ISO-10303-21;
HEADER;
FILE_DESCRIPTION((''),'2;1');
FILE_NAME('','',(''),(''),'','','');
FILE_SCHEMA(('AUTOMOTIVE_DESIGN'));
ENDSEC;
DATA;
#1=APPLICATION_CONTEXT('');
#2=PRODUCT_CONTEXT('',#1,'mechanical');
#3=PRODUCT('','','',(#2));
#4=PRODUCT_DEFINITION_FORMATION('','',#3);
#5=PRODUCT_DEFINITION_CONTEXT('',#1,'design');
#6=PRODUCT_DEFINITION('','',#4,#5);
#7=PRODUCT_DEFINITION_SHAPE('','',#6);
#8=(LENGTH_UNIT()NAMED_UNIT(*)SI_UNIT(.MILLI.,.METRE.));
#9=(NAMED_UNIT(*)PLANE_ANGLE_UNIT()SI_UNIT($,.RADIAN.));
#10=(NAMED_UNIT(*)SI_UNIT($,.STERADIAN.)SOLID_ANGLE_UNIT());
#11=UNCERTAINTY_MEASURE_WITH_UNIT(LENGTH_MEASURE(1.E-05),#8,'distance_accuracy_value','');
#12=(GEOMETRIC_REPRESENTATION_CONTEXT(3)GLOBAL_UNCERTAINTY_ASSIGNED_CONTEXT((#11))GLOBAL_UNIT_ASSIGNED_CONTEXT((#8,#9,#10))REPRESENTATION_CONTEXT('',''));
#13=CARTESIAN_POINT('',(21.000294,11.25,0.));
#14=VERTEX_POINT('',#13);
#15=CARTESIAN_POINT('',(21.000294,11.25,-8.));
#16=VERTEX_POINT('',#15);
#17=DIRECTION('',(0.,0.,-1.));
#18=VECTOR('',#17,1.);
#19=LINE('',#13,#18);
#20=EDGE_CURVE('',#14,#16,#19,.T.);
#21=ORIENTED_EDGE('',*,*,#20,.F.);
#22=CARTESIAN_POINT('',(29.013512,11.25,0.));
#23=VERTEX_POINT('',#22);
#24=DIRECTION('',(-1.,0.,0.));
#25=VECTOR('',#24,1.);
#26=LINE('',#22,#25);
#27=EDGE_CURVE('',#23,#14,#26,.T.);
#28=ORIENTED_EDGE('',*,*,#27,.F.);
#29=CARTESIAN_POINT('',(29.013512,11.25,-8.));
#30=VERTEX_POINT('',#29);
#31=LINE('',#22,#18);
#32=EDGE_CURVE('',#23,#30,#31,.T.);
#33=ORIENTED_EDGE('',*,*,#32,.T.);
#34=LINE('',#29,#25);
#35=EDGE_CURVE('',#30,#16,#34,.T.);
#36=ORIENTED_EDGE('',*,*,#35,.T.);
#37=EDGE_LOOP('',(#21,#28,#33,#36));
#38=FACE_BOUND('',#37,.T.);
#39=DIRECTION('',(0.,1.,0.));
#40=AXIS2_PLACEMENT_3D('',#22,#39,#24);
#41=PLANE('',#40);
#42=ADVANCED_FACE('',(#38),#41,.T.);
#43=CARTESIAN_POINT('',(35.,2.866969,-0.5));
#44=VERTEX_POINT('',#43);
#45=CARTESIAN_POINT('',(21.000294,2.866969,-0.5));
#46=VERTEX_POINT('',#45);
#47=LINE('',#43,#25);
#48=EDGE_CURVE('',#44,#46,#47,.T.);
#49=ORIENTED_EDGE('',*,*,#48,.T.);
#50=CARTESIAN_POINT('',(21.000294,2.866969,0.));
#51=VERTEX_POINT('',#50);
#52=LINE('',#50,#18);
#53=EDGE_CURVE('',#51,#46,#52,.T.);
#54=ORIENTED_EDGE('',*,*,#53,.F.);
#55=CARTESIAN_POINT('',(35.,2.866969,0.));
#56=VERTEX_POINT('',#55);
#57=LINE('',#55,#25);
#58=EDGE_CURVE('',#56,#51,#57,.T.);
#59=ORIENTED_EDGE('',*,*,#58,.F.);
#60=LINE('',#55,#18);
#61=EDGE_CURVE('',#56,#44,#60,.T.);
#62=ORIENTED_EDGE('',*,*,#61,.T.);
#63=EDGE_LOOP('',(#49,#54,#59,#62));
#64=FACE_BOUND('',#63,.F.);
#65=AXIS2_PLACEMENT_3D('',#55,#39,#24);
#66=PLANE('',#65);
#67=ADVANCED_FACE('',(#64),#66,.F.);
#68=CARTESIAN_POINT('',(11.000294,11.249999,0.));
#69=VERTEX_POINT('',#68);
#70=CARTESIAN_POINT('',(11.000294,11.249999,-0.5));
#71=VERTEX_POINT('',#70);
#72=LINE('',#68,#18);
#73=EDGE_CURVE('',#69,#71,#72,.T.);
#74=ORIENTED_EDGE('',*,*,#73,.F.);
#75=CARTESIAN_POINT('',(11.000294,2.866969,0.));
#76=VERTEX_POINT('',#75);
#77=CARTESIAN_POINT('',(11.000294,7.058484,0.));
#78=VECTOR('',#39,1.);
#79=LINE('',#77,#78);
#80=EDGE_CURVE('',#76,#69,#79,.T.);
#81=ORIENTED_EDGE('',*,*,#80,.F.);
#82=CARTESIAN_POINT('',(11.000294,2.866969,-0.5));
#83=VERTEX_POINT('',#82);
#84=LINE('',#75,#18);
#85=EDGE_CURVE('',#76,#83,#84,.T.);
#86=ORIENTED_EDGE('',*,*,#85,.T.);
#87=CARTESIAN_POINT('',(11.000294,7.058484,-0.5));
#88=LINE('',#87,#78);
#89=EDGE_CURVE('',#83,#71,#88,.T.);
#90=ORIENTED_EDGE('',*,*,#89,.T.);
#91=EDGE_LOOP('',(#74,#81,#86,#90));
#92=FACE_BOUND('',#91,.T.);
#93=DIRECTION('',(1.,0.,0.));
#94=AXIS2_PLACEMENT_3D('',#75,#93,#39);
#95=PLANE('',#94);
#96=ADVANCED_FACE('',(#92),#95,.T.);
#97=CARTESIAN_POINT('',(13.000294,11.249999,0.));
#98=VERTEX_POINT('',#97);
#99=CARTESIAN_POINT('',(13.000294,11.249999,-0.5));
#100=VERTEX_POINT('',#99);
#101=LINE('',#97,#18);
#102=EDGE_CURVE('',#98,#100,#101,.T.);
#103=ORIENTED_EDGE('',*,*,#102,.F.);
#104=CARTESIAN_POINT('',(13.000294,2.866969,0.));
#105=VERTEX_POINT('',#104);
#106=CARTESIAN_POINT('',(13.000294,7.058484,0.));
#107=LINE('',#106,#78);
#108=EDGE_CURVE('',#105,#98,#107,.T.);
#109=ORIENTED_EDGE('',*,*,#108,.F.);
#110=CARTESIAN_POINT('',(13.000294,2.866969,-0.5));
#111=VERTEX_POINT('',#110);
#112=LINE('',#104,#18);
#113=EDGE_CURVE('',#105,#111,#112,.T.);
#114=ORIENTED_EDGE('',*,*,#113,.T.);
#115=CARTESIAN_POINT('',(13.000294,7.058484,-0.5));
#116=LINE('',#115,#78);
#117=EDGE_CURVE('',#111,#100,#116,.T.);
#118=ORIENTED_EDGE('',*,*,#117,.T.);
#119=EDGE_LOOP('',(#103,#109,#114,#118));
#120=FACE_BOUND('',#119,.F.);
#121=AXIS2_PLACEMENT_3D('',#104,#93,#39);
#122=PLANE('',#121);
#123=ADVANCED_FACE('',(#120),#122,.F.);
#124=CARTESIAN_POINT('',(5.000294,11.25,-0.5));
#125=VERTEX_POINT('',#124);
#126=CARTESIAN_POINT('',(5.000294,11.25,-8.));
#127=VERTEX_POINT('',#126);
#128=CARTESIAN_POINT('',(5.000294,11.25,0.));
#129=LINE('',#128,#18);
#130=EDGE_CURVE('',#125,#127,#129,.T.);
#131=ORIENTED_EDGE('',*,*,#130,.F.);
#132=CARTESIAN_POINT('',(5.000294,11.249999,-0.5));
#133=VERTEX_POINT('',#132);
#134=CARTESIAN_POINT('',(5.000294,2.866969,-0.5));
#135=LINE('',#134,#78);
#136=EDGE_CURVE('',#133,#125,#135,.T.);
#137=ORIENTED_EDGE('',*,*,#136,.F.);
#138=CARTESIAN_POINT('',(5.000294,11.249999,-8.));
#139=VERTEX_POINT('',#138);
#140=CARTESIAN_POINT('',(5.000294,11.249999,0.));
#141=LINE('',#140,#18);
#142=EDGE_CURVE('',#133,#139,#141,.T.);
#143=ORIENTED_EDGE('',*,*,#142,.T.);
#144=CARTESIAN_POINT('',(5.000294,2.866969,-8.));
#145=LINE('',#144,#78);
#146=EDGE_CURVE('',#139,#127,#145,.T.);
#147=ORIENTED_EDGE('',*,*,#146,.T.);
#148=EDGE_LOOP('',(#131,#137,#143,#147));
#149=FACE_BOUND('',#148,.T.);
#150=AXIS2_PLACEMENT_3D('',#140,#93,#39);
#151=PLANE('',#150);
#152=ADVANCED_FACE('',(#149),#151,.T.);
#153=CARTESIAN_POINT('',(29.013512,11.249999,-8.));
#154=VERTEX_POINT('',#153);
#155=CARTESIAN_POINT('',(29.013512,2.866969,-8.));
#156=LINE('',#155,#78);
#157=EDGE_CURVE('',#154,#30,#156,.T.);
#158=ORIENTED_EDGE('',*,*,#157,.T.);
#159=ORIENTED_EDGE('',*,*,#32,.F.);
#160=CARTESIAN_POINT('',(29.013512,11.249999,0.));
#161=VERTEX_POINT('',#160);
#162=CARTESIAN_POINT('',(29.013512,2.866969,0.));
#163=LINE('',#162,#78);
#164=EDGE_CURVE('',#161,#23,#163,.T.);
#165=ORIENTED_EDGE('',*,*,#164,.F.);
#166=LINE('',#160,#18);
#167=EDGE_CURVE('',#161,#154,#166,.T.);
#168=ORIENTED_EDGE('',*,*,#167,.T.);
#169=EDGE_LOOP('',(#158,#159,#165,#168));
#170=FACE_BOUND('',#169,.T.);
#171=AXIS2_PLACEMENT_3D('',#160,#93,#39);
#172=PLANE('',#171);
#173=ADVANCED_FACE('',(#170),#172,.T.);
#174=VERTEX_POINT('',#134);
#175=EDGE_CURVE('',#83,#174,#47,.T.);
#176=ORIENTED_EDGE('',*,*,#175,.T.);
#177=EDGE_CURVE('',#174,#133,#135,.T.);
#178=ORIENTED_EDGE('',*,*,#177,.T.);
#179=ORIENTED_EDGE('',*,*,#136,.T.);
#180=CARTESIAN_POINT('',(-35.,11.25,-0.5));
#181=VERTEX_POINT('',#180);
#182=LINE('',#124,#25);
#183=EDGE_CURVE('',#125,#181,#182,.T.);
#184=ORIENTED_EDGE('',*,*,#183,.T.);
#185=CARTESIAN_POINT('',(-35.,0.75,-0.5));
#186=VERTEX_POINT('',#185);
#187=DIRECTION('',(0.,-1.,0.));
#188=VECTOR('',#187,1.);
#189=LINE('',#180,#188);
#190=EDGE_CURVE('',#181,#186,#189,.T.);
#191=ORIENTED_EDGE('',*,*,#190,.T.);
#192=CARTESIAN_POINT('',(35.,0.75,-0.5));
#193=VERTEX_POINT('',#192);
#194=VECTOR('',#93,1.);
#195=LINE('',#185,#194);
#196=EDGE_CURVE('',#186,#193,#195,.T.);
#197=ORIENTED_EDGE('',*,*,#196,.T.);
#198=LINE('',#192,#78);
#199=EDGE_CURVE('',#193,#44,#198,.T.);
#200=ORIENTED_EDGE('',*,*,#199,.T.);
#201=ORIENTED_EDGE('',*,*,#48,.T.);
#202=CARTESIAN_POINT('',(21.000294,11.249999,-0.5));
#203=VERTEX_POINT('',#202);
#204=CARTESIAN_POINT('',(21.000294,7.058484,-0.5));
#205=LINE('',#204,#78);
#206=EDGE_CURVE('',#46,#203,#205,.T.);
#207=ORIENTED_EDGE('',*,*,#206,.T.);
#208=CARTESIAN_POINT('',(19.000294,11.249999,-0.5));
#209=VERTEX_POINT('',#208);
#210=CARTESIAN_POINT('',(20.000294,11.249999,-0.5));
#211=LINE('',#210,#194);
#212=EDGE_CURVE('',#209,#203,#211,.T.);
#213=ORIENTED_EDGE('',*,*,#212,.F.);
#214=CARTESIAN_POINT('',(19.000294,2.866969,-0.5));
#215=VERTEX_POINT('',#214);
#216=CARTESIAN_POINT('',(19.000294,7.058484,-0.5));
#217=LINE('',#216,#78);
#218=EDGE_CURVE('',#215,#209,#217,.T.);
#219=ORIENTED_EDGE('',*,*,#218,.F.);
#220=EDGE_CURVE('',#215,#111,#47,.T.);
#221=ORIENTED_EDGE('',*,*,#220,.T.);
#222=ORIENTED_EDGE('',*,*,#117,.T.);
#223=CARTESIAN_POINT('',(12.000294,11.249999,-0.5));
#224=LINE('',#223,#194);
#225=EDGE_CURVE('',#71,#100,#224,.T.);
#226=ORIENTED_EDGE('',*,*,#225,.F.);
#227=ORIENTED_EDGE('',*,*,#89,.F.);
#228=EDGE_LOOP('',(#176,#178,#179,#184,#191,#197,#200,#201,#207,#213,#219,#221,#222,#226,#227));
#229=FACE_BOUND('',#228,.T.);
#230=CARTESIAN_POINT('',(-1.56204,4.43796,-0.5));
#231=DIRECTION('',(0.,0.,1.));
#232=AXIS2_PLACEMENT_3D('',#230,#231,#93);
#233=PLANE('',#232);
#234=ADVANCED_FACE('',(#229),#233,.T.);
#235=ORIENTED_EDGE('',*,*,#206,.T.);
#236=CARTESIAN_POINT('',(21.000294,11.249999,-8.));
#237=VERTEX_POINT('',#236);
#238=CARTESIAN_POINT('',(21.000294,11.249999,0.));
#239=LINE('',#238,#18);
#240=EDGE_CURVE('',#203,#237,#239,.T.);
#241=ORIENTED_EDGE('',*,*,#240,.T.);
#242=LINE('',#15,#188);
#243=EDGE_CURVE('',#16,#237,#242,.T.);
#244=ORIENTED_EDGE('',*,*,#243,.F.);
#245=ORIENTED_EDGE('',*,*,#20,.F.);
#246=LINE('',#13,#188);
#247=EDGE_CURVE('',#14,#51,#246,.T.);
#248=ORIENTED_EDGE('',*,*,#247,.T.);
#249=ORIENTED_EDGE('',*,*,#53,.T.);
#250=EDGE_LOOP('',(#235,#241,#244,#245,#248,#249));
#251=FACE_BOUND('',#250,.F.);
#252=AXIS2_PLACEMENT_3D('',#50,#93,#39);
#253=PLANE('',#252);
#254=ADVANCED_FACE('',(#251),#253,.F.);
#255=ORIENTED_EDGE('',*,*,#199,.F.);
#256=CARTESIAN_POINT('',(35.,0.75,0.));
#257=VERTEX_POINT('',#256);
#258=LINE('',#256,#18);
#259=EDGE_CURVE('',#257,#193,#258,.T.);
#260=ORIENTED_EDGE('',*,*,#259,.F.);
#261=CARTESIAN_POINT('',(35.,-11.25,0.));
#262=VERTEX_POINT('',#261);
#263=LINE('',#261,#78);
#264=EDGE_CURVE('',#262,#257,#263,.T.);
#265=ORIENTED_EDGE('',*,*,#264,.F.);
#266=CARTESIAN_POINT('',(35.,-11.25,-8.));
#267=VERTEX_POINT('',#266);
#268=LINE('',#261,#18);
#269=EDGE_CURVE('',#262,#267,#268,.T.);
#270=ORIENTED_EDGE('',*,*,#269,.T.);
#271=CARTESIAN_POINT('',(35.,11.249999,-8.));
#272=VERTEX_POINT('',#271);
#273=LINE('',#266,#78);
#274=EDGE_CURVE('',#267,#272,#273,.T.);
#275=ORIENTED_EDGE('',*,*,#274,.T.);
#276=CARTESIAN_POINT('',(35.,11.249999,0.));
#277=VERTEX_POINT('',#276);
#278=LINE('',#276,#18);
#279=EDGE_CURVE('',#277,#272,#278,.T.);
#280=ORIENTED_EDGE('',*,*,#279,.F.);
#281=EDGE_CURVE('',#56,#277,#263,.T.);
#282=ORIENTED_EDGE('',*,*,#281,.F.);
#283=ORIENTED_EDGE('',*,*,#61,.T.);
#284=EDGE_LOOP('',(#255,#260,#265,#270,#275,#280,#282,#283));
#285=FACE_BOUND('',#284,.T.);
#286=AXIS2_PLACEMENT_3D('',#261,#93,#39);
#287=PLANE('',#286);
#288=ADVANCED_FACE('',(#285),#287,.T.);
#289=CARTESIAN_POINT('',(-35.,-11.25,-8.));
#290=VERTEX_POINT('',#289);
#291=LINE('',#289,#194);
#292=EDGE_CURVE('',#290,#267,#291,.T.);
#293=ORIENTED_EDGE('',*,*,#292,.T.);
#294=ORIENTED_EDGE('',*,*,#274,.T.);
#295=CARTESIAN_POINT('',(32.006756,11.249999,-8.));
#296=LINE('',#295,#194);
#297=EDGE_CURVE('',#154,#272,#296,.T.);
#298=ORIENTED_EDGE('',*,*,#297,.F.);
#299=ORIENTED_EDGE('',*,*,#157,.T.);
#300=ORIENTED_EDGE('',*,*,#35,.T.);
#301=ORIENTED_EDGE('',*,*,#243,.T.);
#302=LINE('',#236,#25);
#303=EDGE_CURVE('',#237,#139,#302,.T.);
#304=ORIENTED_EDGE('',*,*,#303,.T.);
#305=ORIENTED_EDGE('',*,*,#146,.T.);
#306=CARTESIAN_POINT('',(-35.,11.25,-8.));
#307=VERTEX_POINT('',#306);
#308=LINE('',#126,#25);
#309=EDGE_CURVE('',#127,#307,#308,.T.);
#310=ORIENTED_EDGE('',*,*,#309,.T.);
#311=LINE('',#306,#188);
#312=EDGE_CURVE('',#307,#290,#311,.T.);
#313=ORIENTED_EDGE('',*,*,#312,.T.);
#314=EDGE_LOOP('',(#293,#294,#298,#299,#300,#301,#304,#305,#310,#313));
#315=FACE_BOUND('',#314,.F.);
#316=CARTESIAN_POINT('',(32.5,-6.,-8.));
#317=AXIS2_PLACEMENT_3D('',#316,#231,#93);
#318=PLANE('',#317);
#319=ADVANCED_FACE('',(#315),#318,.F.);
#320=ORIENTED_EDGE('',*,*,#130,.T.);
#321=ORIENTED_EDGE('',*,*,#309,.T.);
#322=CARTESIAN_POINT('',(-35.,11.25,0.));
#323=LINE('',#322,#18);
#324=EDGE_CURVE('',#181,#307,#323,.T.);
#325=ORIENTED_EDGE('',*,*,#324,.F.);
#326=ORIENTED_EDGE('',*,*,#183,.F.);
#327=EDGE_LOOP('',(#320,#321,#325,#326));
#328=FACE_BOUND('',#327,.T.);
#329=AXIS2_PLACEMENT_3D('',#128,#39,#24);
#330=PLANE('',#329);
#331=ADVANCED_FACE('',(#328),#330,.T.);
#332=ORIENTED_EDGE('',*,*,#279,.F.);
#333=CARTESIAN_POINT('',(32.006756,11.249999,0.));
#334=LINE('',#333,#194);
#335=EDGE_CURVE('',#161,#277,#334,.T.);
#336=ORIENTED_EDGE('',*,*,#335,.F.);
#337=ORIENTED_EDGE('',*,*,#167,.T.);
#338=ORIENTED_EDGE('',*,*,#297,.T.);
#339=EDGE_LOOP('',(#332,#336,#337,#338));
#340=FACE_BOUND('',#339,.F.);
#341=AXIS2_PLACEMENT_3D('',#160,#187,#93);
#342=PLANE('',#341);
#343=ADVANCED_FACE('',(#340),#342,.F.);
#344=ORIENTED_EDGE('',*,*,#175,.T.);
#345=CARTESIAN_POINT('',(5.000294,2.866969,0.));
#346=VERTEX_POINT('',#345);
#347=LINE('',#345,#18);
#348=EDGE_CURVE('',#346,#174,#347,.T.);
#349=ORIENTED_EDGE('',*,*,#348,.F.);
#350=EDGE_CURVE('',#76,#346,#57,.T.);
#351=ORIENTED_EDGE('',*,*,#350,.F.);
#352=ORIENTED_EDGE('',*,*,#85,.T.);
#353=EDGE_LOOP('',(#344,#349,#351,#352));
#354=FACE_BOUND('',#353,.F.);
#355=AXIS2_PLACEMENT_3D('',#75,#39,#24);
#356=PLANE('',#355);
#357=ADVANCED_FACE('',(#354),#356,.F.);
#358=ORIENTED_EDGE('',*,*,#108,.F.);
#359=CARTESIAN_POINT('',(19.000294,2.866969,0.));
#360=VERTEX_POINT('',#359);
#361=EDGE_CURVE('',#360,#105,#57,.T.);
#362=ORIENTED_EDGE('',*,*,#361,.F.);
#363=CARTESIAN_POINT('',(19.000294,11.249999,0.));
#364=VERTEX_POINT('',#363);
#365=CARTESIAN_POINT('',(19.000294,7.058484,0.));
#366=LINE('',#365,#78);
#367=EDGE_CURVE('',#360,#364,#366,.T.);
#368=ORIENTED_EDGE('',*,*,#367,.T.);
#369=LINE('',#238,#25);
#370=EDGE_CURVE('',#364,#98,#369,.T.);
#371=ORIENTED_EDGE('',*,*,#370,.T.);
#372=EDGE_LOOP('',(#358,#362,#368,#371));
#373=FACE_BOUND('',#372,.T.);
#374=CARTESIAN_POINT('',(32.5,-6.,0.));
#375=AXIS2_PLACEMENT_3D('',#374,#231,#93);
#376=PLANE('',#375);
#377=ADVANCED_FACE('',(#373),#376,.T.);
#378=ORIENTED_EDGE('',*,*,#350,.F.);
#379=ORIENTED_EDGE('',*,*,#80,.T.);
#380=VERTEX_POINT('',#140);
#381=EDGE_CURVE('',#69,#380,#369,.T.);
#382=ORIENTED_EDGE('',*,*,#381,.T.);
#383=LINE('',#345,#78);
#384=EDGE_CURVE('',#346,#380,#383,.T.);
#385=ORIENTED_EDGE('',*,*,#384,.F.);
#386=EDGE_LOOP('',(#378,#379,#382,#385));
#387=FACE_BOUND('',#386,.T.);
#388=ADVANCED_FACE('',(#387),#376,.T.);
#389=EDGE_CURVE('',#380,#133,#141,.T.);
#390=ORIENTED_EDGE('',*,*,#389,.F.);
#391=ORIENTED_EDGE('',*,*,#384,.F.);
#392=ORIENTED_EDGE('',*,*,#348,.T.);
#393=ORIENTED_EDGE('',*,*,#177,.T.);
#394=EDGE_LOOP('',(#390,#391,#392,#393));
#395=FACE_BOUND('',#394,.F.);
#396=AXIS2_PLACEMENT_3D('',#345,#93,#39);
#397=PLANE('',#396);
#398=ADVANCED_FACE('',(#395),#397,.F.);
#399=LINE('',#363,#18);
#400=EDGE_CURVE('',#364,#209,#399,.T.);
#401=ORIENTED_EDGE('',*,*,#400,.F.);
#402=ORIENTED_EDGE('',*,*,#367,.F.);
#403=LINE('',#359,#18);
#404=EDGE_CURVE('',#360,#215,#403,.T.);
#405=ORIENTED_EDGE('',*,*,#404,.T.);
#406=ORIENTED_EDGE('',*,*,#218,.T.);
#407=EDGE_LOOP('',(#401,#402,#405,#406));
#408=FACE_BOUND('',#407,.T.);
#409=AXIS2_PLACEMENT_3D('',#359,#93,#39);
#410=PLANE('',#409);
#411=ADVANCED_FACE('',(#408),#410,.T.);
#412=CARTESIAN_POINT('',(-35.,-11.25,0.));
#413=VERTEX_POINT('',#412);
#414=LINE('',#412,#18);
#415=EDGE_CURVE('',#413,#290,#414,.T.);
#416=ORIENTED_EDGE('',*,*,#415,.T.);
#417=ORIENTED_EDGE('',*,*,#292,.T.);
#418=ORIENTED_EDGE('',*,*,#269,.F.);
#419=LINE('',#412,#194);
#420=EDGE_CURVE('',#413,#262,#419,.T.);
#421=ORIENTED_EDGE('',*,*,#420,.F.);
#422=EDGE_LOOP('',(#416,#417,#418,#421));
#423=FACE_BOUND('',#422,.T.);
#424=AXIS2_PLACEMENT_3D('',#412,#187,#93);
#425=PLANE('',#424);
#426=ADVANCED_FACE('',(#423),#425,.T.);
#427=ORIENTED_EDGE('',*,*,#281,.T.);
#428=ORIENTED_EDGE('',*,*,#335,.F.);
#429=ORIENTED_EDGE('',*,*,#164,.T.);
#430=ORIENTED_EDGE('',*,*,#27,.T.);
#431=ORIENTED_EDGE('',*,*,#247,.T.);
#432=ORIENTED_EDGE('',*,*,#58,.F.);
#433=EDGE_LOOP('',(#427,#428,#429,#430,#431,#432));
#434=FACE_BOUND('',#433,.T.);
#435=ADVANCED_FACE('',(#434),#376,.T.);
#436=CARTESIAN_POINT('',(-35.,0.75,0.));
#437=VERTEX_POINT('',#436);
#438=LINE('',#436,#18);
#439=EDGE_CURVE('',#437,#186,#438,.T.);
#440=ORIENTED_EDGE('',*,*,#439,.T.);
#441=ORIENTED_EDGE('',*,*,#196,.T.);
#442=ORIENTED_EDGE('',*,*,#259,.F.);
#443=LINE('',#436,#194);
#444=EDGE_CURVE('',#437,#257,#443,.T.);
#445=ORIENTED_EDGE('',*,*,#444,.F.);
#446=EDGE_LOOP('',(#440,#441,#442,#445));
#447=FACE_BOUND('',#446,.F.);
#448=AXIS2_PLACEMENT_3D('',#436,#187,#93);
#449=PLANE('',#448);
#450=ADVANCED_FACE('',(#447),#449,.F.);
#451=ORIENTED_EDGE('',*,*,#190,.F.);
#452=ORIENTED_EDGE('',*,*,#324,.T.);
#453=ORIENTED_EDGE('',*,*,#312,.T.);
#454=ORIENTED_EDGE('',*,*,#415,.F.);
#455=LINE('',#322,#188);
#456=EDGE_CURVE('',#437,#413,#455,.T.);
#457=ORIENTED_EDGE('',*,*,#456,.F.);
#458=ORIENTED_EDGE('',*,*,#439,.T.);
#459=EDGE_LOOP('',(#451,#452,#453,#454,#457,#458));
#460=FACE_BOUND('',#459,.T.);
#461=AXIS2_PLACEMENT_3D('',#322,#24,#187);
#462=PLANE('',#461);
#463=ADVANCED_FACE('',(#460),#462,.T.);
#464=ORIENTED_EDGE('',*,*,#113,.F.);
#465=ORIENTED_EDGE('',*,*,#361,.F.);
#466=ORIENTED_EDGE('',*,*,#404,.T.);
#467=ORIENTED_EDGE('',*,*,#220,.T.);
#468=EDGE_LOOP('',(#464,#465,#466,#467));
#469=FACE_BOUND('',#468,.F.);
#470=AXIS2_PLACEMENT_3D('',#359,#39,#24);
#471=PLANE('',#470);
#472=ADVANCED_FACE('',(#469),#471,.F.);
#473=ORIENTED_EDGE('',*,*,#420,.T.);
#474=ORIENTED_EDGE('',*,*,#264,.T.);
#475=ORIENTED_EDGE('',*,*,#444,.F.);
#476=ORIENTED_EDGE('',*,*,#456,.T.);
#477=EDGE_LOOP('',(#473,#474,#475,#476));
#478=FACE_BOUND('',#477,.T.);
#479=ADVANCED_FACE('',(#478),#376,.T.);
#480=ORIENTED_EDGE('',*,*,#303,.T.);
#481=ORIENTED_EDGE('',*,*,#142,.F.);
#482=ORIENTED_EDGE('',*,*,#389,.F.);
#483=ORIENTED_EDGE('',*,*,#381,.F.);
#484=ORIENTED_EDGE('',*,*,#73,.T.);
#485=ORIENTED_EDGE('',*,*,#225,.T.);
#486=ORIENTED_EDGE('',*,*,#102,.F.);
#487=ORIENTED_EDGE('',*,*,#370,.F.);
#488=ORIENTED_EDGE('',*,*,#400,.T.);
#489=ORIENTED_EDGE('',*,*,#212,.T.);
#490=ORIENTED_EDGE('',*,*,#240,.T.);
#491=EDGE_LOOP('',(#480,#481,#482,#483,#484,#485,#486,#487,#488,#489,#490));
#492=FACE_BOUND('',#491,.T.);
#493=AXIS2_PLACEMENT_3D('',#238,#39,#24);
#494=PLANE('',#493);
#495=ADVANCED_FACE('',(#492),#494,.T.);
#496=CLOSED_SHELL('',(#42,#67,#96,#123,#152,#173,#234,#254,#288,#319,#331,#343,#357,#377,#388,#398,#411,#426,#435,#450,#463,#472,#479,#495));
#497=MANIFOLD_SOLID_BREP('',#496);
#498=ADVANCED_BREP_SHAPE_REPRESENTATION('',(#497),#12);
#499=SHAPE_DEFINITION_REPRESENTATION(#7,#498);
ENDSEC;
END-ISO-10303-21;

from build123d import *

# Parameters (mm, degrees)
F0_W     = 5
F0_H     = 10.5
F0_W_2   = 6
F0_W_3   = 2
F0_W_4   = 5.986488
F0_H_2   = 8.383031
F0_W_5   = 3
F1_DEPTH = 8
F2_DEPTH = 0.5


with BuildPart() as f1:
    # F0 (on Top) → F1 (new body)
    with BuildSketch(Plane.XY):
        with Locations((32.5, -6)):
            Rectangle(F0_W, F0_H)
        with Locations((27, -6)):
            Rectangle(F0_W_2, F0_H)
        Polygon((30, -0.75), (35, -0.75), (35, 0.75), (29.013512, 0.75), (27.013512, 0.75), (21.000294, 0.75), (19.000294, 0.75), (13.000294, 0.75), (11.000294, 0.75), (5.000294, 0.75), (3.000294, 0.75), (-2.999706, 0.75), (-4.999706, 0.75), (-10.999706, 0.75), (-12.999706, 0.75), (-18.999706, 0.75), (-20.999706, 0.75), (-26.999706, 0.75), (-35, 0.75), (-35, -0.75), (-32, -0.75), (-26, -0.75), (-24, -0.75), (-18, -0.75), (-16, -0.75), (-10, -0.75), (-8, -0.75), (-2, -0.75), (0, -0.75), (6, -0.75), (8, -0.75), (14, -0.75), (16, -0.75), (22, -0.75), (24, -0.75), align=None)
        with Locations((23, -6)):
            Rectangle(F0_W_3, F0_H)
        Polygon((29.013512, 0.75), (35, 0.75), (35, 2.866969), (29.013512, 2.866969), (27.013512, 2.866969), (21.000294, 2.866969), (19.000294, 2.866969), (13.000294, 2.866969), (11.000294, 2.866969), (5.000294, 2.866969), (5.000294, 11.25), (-35, 11.25), (-35, 0.75), (-26.999706, 0.75), (-20.999706, 0.75), (-18.999706, 0.75), (-12.999706, 0.75), (-10.999706, 0.75), (-4.999706, 0.75), (-2.999706, 0.75), (3.000294, 0.75), (5.000294, 0.75), (11.000294, 0.75), (13.000294, 0.75), (19.000294, 0.75), (21.000294, 0.75), (27.013512, 0.75), align=None)
        with Locations((19, -6)):
            Rectangle(F0_W_2, F0_H)
        with Locations((32.006756, 7.058484)):
            Rectangle(F0_W_4, F0_H_2)
        with Locations((15, -6)):
            Rectangle(F0_W_3, F0_H)
        Polygon((27.013512, 2.866969), (29.013512, 2.866969), (29.013512, 11.25), (21.000294, 11.25), (21.000294, 2.866969), align=None)
        with Locations((11, -6)):
            Rectangle(F0_W_2, F0_H)
        with Locations((7, -6)):
            Rectangle(F0_W_3, F0_H)
        with Locations((20.000294, 7.058484)):
            Rectangle(F0_W_3, F0_H_2)
        with Locations((3, -6)):
            Rectangle(F0_W_2, F0_H)
        with Locations((16.000294, 7.058484)):
            Rectangle(F0_W_2, F0_H_2)
        with Locations((-1, -6)):
            Rectangle(F0_W_3, F0_H)
        with Locations((12.000294, 7.058484)):
            Rectangle(F0_W_3, F0_H_2)
        with Locations((-5, -6)):
            Rectangle(F0_W_2, F0_H)
        with Locations((8.000294, 7.058484)):
            Rectangle(F0_W_2, F0_H_2)
        with Locations((-9, -6)):
            Rectangle(F0_W_3, F0_H)
        with Locations((-13, -6)):
            Rectangle(F0_W_2, F0_H)
        with Locations((-17, -6)):
            Rectangle(F0_W_3, F0_H)
        with Locations((-21, -6)):
            Rectangle(F0_W_2, F0_H)
        with Locations((-33.5, -6)):
            Rectangle(F0_W_5, F0_H)
        with Locations((-25, -6)):
            Rectangle(F0_W_3, F0_H)
        with Locations((-29, -6)):
            Rectangle(F0_W_2, F0_H)
    extrude(amount=-F1_DEPTH)

    # F0 (on Top) → F2 (cut)
    with BuildSketch(Plane.XY):
        Polygon((29.013512, 0.75), (35, 0.75), (35, 2.866969), (29.013512, 2.866969), (27.013512, 2.866969), (21.000294, 2.866969), (19.000294, 2.866969), (13.000294, 2.866969), (11.000294, 2.866969), (5.000294, 2.866969), (5.000294, 11.25), (-35, 11.25), (-35, 0.75), (-26.999706, 0.75), (-20.999706, 0.75), (-18.999706, 0.75), (-12.999706, 0.75), (-10.999706, 0.75), (-4.999706, 0.75), (-2.999706, 0.75), (3.000294, 0.75), (5.000294, 0.75), (11.000294, 0.75), (13.000294, 0.75), (19.000294, 0.75), (21.000294, 0.75), (27.013512, 0.75), align=None)
        with Locations((12.000294, 7.058484)):
            Rectangle(F0_W_3, F0_H_2)
        with Locations((20.000294, 7.058484)):
            Rectangle(F0_W_3, F0_H_2)
    extrude(amount=-F2_DEPTH, mode=Mode.SUBTRACT)


solid = f1.part
